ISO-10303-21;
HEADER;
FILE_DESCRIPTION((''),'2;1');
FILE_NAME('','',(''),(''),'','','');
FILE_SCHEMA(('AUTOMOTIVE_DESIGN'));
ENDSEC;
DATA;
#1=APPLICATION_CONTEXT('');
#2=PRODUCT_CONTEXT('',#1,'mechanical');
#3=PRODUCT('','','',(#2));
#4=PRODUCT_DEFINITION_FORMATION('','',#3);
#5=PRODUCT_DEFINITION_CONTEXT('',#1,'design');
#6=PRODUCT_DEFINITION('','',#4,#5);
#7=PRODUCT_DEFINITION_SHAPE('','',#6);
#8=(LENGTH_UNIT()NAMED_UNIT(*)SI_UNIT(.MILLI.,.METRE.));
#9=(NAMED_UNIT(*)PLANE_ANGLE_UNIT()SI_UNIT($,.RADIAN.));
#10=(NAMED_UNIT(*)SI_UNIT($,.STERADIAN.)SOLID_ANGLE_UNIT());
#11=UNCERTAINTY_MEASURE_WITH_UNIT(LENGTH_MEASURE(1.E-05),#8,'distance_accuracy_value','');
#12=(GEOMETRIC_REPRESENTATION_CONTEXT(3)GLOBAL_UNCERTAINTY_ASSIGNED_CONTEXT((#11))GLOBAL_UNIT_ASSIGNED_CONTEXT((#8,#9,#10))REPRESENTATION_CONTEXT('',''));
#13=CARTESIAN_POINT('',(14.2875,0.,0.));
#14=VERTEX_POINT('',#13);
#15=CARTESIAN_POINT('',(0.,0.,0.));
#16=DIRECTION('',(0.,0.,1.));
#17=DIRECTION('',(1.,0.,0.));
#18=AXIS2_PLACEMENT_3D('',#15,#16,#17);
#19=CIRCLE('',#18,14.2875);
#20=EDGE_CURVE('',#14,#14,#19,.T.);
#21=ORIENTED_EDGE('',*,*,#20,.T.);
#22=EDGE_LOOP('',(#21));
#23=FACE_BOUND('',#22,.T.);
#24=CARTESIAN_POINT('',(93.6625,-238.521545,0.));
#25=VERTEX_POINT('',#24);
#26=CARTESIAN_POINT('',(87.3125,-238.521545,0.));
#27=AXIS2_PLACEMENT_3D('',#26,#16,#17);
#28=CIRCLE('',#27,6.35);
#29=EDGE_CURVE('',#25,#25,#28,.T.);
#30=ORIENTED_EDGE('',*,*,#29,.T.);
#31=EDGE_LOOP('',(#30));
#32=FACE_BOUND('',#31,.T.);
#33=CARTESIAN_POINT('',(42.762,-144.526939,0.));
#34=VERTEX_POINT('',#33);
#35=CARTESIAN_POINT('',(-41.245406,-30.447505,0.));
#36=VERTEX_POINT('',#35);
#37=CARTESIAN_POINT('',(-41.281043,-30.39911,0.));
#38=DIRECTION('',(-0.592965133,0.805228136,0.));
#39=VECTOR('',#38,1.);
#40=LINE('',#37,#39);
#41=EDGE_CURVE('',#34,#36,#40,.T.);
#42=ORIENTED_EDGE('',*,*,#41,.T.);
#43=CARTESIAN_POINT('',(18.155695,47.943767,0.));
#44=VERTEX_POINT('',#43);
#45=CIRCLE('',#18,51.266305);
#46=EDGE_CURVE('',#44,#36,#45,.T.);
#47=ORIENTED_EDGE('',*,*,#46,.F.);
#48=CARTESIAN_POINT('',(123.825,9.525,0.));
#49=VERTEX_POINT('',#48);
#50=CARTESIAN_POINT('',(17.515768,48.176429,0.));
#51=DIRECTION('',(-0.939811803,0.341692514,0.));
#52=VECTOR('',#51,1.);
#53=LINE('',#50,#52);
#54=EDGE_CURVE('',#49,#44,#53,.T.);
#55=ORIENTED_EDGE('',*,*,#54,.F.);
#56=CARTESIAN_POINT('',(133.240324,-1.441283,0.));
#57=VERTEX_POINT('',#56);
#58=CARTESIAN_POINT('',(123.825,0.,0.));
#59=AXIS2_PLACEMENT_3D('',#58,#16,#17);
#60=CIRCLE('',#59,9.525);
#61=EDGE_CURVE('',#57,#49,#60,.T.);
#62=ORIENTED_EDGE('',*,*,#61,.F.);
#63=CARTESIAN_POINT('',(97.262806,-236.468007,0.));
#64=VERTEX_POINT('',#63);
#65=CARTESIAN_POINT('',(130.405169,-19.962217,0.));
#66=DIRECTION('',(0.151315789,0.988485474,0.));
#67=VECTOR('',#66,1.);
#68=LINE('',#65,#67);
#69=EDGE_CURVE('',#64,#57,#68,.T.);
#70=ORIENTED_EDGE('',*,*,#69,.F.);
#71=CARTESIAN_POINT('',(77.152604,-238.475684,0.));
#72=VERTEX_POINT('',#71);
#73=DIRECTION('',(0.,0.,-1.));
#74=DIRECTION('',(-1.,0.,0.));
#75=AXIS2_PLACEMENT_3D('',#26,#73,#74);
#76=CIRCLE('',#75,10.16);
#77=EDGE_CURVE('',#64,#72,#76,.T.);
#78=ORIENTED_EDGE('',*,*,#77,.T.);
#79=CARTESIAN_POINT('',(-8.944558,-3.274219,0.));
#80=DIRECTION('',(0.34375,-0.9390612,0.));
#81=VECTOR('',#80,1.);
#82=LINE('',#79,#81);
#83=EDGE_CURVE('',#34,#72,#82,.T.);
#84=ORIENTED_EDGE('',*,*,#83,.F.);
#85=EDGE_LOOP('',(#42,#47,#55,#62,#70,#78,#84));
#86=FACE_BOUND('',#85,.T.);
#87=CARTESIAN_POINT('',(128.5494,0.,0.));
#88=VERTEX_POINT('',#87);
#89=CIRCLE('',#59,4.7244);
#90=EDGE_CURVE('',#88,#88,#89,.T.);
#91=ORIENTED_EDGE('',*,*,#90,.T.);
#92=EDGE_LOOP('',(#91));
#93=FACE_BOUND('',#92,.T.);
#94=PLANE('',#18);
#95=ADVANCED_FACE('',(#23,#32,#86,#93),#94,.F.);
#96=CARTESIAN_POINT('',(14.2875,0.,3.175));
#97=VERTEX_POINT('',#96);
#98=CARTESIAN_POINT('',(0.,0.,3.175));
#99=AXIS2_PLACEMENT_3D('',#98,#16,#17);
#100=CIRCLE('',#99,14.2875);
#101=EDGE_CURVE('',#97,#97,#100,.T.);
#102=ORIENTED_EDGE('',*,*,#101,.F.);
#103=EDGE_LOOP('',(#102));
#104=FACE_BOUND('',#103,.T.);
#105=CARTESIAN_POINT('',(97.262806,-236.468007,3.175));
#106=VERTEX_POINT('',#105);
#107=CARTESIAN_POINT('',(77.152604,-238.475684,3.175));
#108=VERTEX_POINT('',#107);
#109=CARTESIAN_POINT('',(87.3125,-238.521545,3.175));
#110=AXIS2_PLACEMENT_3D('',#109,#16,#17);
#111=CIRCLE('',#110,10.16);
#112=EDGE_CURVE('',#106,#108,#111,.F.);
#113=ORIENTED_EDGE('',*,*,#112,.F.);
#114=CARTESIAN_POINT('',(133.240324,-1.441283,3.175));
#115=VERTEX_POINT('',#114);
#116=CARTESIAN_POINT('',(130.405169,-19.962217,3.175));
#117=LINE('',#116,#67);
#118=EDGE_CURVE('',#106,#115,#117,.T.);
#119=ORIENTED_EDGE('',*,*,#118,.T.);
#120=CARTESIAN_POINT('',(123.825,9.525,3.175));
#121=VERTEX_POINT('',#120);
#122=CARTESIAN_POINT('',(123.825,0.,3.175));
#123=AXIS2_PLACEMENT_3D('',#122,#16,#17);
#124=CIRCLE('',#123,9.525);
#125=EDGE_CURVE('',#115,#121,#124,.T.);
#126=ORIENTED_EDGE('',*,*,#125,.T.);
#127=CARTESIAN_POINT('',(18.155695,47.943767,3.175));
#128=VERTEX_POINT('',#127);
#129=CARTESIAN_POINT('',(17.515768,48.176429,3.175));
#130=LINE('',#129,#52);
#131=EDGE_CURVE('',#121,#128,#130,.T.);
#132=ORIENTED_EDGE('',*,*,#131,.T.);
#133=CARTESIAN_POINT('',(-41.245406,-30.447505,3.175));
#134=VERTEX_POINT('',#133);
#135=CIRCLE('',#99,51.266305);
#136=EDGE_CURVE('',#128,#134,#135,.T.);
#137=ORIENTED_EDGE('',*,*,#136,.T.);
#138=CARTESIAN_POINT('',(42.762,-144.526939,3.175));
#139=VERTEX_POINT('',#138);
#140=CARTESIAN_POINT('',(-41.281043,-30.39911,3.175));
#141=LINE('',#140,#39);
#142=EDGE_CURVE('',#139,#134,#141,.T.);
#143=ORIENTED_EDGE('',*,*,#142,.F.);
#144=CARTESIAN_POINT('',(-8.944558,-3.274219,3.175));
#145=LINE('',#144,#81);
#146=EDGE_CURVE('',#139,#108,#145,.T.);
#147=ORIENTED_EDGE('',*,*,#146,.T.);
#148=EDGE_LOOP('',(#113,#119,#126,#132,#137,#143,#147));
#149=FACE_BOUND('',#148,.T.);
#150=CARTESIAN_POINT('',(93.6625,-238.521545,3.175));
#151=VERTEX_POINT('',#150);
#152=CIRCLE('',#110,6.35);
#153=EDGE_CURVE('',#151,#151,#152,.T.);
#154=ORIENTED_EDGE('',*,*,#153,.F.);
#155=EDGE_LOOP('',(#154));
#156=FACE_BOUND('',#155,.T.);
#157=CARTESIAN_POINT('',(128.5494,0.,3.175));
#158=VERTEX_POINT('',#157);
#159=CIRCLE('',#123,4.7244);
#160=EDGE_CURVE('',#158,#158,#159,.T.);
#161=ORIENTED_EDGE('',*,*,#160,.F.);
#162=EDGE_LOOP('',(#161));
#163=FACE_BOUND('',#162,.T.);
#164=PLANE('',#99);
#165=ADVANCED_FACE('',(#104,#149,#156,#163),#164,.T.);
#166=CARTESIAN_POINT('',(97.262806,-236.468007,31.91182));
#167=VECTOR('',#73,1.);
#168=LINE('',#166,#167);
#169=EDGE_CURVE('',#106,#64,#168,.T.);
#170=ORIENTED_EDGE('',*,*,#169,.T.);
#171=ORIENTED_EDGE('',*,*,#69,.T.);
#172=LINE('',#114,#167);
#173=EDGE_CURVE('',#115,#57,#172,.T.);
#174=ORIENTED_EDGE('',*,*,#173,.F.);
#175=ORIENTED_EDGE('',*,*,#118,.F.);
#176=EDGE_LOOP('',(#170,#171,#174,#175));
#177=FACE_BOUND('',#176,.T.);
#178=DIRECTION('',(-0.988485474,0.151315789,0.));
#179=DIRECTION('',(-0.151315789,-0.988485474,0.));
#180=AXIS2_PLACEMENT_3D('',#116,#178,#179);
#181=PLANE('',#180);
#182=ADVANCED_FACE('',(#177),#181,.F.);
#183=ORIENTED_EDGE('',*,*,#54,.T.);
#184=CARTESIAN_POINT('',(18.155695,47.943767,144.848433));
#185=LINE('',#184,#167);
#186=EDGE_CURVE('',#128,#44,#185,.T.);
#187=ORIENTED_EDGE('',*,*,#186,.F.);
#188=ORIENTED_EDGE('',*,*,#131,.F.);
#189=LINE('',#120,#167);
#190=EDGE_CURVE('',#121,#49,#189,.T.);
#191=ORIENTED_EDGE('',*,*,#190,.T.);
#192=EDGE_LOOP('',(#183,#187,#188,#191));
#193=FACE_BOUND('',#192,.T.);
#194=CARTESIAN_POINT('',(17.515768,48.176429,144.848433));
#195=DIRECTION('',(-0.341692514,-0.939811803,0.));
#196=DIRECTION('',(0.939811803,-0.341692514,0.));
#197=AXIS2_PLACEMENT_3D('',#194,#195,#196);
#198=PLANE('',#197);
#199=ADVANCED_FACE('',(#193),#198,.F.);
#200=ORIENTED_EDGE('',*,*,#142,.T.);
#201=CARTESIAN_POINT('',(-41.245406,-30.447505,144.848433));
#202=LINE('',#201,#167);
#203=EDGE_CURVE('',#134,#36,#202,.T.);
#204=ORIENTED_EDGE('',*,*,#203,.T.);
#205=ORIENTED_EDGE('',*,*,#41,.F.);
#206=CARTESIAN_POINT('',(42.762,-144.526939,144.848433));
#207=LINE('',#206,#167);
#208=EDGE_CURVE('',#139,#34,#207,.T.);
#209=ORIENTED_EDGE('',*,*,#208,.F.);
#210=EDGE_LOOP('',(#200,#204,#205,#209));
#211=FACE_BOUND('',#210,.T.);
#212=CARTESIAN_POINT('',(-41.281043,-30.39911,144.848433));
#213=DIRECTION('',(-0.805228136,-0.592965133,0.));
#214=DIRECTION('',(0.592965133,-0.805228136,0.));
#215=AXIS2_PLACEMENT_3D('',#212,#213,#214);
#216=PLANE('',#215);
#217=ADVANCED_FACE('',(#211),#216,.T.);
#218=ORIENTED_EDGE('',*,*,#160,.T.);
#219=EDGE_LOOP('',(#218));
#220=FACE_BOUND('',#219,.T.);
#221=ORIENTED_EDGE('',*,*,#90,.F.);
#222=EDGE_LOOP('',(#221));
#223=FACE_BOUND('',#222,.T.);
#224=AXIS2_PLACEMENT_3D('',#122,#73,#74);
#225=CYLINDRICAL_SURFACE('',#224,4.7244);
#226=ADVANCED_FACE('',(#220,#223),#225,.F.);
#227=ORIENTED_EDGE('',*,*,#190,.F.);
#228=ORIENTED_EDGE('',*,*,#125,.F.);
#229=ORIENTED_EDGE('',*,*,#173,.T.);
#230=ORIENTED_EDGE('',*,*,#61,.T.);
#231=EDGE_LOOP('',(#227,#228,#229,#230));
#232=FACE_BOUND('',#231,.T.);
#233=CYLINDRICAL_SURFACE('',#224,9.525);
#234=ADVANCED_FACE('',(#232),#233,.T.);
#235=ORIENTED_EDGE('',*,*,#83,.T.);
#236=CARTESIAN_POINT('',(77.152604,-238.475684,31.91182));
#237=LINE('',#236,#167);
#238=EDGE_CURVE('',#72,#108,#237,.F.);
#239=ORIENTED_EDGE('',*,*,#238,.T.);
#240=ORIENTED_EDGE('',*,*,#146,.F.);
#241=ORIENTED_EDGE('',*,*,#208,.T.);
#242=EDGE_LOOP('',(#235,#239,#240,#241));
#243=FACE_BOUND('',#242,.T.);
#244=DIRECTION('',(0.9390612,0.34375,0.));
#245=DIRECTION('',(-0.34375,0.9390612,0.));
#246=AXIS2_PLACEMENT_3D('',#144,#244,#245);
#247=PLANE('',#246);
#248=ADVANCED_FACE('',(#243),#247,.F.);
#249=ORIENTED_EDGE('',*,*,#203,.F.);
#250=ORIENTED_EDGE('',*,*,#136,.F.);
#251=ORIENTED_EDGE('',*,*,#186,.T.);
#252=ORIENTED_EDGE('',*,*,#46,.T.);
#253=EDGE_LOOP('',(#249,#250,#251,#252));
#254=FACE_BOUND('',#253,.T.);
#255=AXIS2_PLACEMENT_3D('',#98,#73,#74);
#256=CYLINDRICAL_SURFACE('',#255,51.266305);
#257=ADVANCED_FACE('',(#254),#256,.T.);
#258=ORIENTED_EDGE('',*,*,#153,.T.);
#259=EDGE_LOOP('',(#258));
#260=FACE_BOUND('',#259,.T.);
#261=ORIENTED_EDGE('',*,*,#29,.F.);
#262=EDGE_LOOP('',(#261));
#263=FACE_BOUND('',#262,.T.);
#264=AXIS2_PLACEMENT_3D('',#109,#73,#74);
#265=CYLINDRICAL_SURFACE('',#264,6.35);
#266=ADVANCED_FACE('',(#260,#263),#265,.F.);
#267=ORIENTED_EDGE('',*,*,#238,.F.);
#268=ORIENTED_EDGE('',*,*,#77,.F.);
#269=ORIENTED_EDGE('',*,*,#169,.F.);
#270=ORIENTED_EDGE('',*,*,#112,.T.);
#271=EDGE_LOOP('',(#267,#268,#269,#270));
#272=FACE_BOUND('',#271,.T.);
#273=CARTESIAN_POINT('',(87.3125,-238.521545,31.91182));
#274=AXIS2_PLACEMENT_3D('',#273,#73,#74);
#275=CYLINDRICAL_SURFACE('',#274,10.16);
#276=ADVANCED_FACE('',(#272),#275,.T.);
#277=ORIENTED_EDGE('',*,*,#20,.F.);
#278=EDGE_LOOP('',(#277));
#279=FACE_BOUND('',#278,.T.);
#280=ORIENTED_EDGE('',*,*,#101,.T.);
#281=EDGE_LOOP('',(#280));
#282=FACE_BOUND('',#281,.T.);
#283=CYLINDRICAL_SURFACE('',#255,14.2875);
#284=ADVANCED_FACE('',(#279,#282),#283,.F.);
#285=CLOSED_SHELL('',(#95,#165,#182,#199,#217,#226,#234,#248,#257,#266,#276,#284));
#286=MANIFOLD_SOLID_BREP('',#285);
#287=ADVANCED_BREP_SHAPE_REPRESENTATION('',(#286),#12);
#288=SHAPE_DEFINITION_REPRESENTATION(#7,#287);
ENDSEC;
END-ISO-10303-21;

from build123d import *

# Parameters (mm, degrees)
SKETCH1_R           = 6.35
SKETCH1_R_2         = 4.7244
SKETCH1_R_3         = 14.2875
BOSS_EXTRUDE1_DEPTH = 3.175
SKETCH2_R           = 10.16
SKETCH2_R_2         = 9.525
BOSS_EXTRUDE2_DEPTH = 3.175
BOSS_EXTRUDE3_DEPTH = 3.175


with BuildPart() as part:
    # Sketch1 → Boss-Extrude1 (new body)
    with BuildSketch(Plane.XY):
        with BuildLine():
            Line((123.825, 9.525), (50.373687682, 9.525))
            ThreePointArc((50.373687682, 9.525), (-42.021955485, 29.366465449), (8.37139721, -50.578194358))
            Line((8.37139721, -50.578194358), (78.367942069, -241.795763571))
            ThreePointArc((78.367942069, -241.795763571), (88.258712803, -247.99942994), (96.727824138, -239.962827716))
            Line((96.727824138, -239.962827716), (133.240324138, -1.441282895))
            ThreePointArc((133.240324138, -1.441282895), (131.051819652, 6.204732284), (123.825, 9.525))
        make_face()
        with Locations((87.3125, -238.521544821)):
            Circle(SKETCH1_R, mode=Mode.SUBTRACT)
        with Locations((123.825, 0)):
            Circle(SKETCH1_R_2, mode=Mode.SUBTRACT)
        Circle(SKETCH1_R_3, mode=Mode.SUBTRACT)
    extrude(amount=BOSS_EXTRUDE1_DEPTH)

    # Sketch2 → Boss-Extrude2 (add)
    with BuildSketch(Plane(origin=(0, 0, 0), x_dir=(-1, 0, 0), z_dir=(0, 0, -1))):
        with Locations((-87.3125, -238.521544821)):
            Circle(SKETCH2_R)
        with Locations((-87.3125, -238.521544821)):
            Circle(SKETCH2_R_2, mode=Mode.SUBTRACT)
    extrude(amount=-BOSS_EXTRUDE2_DEPTH)

    # Sketch3 → Boss-Extrude3 (add)
    with BuildSketch(Plane(origin=(0, 0, 0), x_dir=(-1, 0, 0), z_dir=(0, 0, -1))):
        with BuildLine():
            ThreePointArc((-50.373687682, 9.525), (-39.281923062, 32.941835958), (-18.155694858, 47.943766852))
            Line((-18.155694858, 47.943766852), (-123.825, 9.525))
            Line((-123.825, 9.525), (-50.373687682, 9.525))
        make_face()
        with BuildLine():
            Line((-8.37139721, -50.578194358), (-42.762000357, -144.526939268))
            Line((-42.762000357, -144.526939268), (41.245405611, -30.447504852))
            ThreePointArc((41.245405611, -30.447504852), (19.273979145, -47.505239328), (-8.37139721, -50.578194358))
        make_face()
    extrude(amount=-BOSS_EXTRUDE3_DEPTH)


solid = part.part
